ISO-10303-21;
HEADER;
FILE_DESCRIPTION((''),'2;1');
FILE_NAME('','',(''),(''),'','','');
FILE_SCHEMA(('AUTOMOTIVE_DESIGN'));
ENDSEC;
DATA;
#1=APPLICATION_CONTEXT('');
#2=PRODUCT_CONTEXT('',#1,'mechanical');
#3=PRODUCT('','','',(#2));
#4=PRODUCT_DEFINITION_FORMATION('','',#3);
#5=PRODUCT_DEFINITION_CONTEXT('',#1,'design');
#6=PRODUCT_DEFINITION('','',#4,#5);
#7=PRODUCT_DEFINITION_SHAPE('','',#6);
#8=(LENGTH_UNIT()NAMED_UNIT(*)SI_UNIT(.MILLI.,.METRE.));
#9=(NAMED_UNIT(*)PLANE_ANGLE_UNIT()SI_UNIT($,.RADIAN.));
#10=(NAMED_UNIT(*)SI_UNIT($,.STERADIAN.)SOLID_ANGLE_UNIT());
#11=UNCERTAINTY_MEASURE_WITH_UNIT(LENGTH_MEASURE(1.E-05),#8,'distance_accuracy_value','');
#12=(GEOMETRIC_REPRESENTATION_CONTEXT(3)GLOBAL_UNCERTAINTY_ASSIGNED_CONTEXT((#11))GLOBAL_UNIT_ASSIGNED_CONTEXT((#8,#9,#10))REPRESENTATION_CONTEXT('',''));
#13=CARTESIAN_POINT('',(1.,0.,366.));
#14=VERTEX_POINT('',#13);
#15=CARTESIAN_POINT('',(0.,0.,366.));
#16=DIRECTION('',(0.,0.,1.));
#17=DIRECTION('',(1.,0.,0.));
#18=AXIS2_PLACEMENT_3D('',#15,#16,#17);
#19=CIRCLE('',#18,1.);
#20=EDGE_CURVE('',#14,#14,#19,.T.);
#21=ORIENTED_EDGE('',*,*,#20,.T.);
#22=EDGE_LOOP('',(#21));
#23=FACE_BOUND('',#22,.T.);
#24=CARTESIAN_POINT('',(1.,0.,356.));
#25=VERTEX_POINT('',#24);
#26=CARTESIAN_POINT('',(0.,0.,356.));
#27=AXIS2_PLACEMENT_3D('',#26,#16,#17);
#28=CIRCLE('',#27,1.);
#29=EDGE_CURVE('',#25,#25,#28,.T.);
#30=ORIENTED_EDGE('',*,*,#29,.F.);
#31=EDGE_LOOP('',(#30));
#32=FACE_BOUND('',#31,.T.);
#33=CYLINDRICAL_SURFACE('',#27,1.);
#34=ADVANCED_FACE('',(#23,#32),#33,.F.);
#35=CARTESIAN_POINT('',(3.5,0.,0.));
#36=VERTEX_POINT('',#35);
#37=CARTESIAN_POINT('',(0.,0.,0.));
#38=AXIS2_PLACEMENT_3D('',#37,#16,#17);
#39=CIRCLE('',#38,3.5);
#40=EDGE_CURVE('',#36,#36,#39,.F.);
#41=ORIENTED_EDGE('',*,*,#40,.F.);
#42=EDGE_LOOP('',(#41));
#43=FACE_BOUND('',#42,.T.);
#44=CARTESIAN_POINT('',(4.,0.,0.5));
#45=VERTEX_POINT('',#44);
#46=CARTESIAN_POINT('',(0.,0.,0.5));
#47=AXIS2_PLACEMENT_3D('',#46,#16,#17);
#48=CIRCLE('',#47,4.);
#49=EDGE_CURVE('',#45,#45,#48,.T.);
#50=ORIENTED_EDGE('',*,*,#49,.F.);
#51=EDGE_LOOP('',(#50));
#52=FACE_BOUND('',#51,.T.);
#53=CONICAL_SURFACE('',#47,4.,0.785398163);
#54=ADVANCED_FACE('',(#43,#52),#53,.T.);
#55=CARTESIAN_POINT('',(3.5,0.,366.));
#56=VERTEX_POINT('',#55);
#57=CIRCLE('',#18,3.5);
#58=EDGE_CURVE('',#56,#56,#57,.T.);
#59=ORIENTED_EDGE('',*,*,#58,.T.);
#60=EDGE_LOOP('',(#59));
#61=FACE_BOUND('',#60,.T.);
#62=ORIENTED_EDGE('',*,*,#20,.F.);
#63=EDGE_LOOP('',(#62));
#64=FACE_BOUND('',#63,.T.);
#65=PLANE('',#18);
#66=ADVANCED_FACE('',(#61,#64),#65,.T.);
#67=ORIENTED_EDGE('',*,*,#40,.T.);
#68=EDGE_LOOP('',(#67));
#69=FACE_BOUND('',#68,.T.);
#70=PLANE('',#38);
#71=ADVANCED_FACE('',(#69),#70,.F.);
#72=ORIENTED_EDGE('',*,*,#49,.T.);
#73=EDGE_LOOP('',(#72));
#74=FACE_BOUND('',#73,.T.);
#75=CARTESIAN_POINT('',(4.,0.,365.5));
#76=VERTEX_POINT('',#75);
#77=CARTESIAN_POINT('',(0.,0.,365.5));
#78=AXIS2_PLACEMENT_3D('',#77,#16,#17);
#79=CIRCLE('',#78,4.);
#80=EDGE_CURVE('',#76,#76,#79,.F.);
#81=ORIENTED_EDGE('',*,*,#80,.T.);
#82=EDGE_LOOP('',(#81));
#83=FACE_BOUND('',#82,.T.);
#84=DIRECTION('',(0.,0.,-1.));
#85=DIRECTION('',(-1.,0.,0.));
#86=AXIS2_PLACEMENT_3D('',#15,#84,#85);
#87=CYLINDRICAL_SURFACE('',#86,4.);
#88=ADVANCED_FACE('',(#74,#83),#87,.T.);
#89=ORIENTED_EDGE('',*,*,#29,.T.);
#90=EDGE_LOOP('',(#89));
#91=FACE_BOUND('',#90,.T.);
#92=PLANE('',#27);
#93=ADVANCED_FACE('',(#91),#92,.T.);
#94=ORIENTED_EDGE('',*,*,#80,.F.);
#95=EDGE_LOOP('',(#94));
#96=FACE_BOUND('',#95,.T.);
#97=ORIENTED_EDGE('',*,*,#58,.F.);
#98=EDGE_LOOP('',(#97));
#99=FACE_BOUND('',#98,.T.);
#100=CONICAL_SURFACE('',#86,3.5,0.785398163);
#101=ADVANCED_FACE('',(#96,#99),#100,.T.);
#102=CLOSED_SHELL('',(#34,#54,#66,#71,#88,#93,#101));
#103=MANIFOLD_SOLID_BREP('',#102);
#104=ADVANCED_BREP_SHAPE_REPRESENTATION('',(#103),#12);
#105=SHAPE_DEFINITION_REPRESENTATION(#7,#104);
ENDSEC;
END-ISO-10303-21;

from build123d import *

# Parameters (mm, degrees)
SKETCH1_R           = 4
BOSS_EXTRUDE1_DEPTH = 366
SKETCH2_R           = 1
CUT_EXTRUDE1_DEPTH  = 10
CHAMFER1_SIZE       = 0.5


with BuildPart() as part:
    # Sketch1 → Boss-Extrude1 (new body)
    with BuildSketch(Plane.XY):
        Circle(SKETCH1_R)
    extrude(amount=BOSS_EXTRUDE1_DEPTH)

    # Sketch2 → Cut-Extrude1 (cut)
    with BuildSketch(Plane.XY.offset(366)):
        Circle(SKETCH2_R)
    extrude(amount=-CUT_EXTRUDE1_DEPTH, mode=Mode.SUBTRACT)

    # Chamfer1
    chamfer1_edges = [part.edges().sort_by_distance(p)[0] for p in [
        (-4, 0, 0),
        (-4, 0, 366),
    ]]
    chamfer(chamfer1_edges, length=CHAMFER1_SIZE)


solid = part.part
